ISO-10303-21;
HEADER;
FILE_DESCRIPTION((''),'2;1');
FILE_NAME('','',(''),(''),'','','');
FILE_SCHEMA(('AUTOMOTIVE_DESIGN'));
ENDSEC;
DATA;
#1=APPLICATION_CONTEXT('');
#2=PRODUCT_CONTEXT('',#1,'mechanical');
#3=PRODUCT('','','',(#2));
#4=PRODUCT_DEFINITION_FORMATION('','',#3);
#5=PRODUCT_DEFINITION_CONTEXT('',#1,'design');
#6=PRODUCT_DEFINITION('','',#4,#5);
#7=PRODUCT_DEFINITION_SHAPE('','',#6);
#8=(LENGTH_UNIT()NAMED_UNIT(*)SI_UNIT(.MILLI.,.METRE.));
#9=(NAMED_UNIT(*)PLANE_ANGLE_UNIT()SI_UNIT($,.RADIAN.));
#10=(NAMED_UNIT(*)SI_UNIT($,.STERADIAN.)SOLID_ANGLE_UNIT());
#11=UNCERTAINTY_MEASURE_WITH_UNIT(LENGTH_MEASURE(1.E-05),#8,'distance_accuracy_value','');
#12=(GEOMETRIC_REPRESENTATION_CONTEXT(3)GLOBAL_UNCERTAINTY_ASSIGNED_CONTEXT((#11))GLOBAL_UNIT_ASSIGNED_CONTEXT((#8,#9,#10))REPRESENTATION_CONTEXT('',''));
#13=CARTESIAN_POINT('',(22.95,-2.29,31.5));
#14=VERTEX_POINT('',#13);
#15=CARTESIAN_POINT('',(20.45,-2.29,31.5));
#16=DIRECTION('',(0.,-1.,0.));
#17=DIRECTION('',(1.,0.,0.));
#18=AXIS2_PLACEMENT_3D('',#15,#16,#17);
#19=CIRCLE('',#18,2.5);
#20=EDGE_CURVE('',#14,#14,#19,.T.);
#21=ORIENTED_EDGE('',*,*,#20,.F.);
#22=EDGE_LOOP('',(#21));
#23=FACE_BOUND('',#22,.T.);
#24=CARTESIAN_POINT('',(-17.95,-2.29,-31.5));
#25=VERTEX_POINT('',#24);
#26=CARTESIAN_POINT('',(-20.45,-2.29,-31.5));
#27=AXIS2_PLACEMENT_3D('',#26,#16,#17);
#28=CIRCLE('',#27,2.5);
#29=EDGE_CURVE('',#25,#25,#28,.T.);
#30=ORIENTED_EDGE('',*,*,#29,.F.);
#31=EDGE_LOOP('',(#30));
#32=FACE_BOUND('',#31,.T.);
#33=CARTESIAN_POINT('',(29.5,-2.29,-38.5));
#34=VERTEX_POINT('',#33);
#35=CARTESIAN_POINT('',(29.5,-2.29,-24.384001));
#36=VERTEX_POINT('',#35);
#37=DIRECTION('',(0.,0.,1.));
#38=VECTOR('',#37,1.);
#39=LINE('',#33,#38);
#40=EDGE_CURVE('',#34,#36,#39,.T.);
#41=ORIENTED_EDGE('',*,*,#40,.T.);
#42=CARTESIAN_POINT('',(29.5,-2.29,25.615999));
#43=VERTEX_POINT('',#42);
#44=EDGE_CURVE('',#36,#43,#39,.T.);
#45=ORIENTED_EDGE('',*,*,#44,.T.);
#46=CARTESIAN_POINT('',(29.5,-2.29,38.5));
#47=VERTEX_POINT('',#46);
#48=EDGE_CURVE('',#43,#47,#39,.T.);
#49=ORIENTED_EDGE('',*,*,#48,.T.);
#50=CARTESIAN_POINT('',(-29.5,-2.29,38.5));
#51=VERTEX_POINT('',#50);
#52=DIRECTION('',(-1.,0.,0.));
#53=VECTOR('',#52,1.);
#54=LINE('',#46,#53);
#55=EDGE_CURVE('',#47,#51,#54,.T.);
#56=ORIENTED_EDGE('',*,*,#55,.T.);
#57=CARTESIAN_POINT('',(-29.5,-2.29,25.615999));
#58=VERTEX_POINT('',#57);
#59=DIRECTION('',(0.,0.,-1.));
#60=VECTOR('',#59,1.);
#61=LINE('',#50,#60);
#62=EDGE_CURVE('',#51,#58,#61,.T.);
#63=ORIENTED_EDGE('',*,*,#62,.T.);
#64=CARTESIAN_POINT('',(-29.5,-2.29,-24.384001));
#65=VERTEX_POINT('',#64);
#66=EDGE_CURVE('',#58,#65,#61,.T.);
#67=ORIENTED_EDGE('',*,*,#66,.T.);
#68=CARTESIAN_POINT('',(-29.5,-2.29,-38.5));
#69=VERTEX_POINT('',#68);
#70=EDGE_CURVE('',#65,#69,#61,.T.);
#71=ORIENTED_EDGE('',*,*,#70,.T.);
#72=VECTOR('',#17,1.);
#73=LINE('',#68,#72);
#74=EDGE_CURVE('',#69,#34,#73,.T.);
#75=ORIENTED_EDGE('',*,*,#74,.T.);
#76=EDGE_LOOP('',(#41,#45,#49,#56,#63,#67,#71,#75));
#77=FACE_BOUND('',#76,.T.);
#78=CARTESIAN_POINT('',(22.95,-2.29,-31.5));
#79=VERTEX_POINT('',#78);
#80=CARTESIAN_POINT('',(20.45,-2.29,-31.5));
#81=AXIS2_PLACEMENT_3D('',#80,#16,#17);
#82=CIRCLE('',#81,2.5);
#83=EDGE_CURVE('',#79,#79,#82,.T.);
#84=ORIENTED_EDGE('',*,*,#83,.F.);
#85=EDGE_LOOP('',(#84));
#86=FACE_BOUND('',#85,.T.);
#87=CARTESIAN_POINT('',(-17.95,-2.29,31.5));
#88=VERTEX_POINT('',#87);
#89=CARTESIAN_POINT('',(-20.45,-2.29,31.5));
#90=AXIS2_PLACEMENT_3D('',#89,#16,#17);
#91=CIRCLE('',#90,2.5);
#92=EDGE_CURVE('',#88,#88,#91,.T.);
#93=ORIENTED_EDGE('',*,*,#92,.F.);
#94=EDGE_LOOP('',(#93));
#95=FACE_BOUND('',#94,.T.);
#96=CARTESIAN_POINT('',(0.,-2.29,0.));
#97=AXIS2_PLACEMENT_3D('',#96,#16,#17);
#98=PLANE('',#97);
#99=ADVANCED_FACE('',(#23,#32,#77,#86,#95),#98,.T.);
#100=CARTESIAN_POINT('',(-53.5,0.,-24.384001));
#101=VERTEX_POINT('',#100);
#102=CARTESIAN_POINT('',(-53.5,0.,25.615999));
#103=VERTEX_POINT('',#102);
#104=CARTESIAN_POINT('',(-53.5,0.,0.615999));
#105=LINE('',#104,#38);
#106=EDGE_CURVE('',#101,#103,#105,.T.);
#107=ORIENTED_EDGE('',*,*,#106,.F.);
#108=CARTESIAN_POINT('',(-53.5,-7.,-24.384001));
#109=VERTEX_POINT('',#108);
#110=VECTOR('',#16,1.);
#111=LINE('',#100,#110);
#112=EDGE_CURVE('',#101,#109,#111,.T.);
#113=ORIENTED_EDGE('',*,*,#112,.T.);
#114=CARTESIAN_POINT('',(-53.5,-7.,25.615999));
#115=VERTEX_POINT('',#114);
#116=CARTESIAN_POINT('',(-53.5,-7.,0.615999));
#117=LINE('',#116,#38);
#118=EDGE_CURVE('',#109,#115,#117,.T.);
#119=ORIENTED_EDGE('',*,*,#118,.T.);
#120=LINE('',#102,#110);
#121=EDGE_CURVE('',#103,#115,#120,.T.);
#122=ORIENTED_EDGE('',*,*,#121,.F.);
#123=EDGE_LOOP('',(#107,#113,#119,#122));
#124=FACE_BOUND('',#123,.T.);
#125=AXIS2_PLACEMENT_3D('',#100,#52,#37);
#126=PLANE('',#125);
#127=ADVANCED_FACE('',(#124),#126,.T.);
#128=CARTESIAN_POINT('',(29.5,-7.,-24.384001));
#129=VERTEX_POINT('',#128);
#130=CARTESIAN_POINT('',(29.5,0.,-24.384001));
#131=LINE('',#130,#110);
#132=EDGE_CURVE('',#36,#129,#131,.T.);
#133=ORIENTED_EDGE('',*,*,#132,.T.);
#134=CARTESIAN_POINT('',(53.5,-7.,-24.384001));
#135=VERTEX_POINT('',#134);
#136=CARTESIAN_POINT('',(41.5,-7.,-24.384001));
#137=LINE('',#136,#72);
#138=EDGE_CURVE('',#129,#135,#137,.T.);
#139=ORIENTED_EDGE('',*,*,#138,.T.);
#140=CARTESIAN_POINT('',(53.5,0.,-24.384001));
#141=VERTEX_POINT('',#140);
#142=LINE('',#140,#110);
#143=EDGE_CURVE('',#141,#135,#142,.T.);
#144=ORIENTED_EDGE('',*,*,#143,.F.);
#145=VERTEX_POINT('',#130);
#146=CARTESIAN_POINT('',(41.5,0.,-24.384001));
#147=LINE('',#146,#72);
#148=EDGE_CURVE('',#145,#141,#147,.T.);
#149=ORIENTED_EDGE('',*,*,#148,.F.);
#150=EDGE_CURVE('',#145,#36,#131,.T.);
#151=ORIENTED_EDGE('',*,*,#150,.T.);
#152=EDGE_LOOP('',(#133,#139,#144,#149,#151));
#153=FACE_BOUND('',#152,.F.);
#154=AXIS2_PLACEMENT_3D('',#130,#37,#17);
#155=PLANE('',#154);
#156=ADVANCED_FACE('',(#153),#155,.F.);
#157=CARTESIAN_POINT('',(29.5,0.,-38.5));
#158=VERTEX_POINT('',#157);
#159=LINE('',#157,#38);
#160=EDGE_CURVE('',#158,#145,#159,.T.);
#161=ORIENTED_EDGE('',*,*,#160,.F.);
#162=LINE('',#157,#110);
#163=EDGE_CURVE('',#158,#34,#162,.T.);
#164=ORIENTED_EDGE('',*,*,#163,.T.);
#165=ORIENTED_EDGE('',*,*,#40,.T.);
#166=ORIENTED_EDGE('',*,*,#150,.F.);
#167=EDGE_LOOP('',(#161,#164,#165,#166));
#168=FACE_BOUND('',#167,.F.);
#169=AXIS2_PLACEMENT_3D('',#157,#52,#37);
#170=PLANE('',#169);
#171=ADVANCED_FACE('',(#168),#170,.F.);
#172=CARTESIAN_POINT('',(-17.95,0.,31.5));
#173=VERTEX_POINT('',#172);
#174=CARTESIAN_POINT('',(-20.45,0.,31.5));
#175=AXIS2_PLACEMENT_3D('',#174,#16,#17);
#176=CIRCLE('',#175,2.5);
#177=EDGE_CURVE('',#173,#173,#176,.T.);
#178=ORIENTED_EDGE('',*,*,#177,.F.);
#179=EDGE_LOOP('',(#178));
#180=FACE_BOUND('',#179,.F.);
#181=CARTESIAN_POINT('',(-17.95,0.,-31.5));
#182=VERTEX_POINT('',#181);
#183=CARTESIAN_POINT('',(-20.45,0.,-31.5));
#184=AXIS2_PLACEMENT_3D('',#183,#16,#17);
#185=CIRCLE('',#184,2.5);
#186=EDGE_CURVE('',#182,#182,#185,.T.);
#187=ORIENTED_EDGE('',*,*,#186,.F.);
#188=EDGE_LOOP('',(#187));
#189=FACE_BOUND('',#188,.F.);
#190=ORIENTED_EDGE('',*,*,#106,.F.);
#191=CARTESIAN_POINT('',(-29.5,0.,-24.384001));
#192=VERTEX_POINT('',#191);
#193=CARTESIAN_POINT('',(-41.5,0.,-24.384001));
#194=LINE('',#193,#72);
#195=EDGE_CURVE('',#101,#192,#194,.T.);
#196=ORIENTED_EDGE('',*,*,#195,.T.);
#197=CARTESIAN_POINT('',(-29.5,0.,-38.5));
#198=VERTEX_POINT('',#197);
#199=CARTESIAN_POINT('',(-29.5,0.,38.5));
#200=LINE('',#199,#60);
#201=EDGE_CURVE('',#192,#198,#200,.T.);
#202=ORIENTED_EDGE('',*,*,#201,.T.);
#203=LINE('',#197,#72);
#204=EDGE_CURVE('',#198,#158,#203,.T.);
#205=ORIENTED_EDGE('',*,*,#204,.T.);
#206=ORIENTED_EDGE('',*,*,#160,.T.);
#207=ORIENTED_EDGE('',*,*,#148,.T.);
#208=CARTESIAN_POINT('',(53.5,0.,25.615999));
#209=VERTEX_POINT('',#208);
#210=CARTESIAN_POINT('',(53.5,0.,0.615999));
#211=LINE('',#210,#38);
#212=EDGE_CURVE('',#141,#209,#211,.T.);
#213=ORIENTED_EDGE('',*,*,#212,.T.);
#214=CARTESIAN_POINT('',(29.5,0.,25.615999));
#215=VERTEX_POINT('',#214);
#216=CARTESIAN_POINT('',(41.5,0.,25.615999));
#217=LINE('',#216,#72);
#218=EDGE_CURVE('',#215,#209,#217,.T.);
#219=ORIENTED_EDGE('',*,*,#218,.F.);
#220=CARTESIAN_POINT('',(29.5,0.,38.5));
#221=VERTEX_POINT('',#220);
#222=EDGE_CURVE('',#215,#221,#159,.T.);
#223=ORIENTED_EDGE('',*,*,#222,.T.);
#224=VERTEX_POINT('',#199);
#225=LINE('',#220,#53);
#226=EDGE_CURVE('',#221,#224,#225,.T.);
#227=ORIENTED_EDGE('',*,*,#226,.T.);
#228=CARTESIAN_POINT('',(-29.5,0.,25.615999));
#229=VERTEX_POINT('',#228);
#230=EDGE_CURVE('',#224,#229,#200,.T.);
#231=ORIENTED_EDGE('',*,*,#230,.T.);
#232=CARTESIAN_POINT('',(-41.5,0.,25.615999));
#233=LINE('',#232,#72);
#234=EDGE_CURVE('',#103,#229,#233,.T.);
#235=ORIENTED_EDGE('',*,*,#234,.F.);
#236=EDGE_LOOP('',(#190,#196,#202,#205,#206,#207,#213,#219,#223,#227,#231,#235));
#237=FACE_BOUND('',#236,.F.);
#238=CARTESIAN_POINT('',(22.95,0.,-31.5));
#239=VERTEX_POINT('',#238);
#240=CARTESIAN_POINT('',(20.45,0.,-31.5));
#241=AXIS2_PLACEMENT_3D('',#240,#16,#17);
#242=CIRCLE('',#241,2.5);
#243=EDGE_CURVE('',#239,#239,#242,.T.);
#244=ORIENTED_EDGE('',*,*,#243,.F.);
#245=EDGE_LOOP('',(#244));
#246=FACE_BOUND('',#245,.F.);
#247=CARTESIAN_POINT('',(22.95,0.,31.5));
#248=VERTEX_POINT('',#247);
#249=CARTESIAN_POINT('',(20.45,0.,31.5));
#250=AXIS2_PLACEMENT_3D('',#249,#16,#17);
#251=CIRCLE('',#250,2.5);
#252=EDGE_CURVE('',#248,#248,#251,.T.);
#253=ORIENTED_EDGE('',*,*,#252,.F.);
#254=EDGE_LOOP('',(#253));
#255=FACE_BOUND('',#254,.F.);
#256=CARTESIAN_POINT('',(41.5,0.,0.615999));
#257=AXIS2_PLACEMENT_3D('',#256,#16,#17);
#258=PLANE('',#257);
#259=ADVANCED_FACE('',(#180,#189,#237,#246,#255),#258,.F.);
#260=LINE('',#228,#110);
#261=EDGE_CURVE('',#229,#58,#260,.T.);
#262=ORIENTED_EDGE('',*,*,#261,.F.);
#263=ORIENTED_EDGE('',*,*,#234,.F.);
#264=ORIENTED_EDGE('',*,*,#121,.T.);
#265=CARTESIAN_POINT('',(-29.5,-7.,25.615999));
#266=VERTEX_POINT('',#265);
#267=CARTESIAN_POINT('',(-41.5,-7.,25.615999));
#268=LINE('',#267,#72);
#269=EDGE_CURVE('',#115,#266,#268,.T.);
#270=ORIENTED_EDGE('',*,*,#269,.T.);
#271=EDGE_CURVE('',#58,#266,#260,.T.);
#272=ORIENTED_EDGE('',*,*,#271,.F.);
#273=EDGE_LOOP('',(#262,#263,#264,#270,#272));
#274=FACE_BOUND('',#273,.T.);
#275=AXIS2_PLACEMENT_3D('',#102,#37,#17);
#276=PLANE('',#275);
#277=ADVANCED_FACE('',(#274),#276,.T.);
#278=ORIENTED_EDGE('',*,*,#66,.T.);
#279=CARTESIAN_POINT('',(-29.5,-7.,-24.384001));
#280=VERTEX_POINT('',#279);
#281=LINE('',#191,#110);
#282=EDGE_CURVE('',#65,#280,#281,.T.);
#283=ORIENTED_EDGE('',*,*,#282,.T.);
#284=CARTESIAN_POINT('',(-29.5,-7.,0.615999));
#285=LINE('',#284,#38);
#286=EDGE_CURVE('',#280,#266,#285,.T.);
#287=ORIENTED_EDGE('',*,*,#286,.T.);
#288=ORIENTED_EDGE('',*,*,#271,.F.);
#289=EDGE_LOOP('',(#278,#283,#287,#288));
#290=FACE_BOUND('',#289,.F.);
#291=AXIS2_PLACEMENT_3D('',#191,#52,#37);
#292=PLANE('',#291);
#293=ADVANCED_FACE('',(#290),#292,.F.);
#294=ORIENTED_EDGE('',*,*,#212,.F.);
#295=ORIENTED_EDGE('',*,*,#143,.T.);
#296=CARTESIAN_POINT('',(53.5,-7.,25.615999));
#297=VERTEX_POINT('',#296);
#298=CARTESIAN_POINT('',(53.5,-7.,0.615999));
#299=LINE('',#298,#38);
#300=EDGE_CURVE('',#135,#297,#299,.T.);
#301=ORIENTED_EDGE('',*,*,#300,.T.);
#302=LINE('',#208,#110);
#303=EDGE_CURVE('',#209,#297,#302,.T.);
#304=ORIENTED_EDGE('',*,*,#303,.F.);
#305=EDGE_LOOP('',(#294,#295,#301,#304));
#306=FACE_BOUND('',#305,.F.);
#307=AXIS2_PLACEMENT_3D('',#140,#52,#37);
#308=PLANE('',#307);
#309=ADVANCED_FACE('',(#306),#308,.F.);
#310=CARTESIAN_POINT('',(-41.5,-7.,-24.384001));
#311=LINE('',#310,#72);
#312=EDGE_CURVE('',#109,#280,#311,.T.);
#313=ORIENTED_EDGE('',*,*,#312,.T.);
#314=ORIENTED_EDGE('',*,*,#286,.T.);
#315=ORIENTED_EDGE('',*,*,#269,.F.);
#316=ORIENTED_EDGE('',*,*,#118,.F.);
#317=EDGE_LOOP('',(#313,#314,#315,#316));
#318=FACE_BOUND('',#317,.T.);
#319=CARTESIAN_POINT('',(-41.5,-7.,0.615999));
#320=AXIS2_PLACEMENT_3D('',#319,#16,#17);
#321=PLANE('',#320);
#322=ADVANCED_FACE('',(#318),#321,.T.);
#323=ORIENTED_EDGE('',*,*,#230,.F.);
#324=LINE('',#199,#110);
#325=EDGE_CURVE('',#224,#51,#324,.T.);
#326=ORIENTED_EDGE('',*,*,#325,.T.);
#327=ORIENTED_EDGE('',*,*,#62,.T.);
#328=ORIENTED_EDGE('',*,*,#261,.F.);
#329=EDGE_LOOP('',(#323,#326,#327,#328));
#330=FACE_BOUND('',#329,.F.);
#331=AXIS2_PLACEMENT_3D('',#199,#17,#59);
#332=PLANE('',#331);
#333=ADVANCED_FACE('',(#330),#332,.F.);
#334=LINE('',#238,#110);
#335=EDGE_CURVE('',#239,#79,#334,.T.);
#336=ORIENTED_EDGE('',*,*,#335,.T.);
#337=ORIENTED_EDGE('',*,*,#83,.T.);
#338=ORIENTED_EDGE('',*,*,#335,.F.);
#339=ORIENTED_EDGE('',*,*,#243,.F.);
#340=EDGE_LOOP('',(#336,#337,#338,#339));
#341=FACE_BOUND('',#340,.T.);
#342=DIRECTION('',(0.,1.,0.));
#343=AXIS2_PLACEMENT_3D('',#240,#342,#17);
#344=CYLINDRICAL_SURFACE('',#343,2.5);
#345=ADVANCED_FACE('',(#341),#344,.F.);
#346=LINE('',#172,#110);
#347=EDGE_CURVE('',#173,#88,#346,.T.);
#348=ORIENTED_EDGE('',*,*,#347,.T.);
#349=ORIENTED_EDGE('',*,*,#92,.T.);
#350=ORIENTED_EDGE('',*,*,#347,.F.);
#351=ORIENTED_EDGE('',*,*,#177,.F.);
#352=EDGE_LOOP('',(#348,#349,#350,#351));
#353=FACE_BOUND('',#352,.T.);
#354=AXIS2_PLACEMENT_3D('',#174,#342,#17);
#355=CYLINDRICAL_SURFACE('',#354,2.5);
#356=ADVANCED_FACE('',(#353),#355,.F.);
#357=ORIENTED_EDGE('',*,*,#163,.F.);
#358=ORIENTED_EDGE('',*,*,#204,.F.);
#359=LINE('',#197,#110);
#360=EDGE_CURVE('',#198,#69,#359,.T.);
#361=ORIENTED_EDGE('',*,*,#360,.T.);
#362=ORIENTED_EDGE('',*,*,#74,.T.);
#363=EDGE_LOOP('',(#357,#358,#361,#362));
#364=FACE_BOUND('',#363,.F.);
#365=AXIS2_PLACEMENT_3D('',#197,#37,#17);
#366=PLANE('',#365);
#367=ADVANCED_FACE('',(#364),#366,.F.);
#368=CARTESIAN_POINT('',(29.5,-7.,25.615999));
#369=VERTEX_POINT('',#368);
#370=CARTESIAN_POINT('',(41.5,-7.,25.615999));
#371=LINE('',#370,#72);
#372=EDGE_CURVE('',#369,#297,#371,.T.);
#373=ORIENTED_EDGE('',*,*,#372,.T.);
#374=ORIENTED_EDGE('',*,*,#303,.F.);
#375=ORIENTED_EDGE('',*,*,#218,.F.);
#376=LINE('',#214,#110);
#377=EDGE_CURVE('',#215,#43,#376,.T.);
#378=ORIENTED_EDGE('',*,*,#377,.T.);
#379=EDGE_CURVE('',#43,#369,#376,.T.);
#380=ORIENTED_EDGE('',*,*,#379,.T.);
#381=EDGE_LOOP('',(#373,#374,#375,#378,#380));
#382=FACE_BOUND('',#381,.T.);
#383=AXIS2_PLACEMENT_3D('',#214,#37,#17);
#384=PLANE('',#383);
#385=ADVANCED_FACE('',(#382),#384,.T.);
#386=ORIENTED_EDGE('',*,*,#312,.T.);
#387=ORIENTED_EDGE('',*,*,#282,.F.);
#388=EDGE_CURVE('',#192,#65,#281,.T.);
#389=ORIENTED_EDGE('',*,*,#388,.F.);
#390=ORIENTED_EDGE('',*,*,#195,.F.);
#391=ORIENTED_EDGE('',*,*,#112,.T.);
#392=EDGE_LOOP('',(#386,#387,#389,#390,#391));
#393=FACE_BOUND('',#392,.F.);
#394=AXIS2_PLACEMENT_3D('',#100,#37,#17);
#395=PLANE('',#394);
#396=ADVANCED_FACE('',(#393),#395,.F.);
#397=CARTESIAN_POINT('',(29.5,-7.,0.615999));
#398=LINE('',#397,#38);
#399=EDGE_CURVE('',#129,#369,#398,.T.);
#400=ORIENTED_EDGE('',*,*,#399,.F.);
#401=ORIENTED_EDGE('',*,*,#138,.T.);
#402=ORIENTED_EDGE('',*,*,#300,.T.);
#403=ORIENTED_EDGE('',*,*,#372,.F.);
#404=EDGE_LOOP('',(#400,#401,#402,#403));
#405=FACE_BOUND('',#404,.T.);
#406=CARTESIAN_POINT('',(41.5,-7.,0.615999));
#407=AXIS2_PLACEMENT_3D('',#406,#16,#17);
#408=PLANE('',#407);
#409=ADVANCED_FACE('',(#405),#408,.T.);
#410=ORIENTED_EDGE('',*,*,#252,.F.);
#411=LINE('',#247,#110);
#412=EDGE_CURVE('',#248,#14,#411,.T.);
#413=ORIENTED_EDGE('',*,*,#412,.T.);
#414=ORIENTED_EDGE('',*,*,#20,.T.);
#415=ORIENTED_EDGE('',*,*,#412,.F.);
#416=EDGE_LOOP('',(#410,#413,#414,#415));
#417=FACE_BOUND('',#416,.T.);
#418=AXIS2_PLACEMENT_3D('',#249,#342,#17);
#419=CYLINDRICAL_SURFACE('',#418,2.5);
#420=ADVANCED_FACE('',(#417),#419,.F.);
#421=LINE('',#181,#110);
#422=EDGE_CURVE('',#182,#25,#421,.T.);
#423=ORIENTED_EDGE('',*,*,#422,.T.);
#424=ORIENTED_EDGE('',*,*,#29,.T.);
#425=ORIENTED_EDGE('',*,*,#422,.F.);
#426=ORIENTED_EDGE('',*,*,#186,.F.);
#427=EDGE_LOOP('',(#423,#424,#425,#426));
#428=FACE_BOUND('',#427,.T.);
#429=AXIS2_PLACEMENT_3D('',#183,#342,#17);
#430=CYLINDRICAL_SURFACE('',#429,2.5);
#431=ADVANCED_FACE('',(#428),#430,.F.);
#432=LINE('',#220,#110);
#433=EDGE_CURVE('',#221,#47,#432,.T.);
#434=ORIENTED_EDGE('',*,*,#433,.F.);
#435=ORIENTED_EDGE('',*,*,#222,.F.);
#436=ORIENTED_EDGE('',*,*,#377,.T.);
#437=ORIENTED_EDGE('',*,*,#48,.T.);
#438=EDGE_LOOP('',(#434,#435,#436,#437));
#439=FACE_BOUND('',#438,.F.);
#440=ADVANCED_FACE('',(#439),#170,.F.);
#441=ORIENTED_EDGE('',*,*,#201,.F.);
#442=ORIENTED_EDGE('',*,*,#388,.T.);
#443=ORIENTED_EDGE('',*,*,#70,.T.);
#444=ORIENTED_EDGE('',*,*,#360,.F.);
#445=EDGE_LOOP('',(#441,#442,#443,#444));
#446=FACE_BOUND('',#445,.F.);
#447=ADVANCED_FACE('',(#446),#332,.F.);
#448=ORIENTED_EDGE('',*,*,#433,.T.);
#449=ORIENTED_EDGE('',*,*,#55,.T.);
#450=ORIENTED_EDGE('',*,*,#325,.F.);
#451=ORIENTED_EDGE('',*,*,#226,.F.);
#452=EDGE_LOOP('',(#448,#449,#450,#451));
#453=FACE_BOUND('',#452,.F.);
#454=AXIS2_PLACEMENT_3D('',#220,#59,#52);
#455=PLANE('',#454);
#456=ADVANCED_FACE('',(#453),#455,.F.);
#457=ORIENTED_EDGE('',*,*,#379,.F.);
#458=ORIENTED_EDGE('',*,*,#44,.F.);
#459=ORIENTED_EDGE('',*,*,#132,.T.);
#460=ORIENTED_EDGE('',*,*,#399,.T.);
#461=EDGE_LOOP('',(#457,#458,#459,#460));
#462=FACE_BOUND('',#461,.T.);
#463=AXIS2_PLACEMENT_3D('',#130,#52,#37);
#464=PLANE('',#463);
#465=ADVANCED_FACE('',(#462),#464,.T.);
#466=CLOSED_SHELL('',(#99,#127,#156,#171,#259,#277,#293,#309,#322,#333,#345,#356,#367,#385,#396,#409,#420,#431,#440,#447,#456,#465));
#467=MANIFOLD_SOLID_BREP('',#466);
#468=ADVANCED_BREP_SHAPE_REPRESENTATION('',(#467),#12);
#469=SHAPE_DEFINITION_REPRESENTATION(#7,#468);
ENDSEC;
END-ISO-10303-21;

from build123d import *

# Parameters (mm, degrees)
F0_R     = 2.5
F1_DEPTH = 2.29
F0_W     = 24
F0_H     = 50
F2_DEPTH = 7


with BuildPart() as f1:
    # F0 (on Front) → F1 (new body)
    with BuildSketch(Plane.XZ):
        Polygon((-29.5, -38.5), (29.5, -38.5), (29.5, -24.384001), (29.5, 25.615999), (29.5, 38.5), (-29.5, 38.5), (-29.5, 25.615999), (-29.5, -24.384001), align=None)
        with Locations((-20.45, -31.5)):
            Circle(F0_R, mode=Mode.SUBTRACT)
        with Locations((20.45, -31.5)):
            Circle(F0_R, mode=Mode.SUBTRACT)
        with Locations((-20.45, 31.5)):
            Circle(F0_R, mode=Mode.SUBTRACT)
        with Locations((20.45, 31.5)):
            Circle(F0_R, mode=Mode.SUBTRACT)
    extrude(amount=F1_DEPTH)

    # F0 (on Front) → F2 (join)
    with BuildSketch(Plane.XZ):
        with Locations((41.5, 0.615999)):
            Rectangle(F0_W, F0_H)
        with Locations((-41.5, 0.615999)):
            Rectangle(F0_W, F0_H)
    extrude(amount=F2_DEPTH)


solid = f1.part
